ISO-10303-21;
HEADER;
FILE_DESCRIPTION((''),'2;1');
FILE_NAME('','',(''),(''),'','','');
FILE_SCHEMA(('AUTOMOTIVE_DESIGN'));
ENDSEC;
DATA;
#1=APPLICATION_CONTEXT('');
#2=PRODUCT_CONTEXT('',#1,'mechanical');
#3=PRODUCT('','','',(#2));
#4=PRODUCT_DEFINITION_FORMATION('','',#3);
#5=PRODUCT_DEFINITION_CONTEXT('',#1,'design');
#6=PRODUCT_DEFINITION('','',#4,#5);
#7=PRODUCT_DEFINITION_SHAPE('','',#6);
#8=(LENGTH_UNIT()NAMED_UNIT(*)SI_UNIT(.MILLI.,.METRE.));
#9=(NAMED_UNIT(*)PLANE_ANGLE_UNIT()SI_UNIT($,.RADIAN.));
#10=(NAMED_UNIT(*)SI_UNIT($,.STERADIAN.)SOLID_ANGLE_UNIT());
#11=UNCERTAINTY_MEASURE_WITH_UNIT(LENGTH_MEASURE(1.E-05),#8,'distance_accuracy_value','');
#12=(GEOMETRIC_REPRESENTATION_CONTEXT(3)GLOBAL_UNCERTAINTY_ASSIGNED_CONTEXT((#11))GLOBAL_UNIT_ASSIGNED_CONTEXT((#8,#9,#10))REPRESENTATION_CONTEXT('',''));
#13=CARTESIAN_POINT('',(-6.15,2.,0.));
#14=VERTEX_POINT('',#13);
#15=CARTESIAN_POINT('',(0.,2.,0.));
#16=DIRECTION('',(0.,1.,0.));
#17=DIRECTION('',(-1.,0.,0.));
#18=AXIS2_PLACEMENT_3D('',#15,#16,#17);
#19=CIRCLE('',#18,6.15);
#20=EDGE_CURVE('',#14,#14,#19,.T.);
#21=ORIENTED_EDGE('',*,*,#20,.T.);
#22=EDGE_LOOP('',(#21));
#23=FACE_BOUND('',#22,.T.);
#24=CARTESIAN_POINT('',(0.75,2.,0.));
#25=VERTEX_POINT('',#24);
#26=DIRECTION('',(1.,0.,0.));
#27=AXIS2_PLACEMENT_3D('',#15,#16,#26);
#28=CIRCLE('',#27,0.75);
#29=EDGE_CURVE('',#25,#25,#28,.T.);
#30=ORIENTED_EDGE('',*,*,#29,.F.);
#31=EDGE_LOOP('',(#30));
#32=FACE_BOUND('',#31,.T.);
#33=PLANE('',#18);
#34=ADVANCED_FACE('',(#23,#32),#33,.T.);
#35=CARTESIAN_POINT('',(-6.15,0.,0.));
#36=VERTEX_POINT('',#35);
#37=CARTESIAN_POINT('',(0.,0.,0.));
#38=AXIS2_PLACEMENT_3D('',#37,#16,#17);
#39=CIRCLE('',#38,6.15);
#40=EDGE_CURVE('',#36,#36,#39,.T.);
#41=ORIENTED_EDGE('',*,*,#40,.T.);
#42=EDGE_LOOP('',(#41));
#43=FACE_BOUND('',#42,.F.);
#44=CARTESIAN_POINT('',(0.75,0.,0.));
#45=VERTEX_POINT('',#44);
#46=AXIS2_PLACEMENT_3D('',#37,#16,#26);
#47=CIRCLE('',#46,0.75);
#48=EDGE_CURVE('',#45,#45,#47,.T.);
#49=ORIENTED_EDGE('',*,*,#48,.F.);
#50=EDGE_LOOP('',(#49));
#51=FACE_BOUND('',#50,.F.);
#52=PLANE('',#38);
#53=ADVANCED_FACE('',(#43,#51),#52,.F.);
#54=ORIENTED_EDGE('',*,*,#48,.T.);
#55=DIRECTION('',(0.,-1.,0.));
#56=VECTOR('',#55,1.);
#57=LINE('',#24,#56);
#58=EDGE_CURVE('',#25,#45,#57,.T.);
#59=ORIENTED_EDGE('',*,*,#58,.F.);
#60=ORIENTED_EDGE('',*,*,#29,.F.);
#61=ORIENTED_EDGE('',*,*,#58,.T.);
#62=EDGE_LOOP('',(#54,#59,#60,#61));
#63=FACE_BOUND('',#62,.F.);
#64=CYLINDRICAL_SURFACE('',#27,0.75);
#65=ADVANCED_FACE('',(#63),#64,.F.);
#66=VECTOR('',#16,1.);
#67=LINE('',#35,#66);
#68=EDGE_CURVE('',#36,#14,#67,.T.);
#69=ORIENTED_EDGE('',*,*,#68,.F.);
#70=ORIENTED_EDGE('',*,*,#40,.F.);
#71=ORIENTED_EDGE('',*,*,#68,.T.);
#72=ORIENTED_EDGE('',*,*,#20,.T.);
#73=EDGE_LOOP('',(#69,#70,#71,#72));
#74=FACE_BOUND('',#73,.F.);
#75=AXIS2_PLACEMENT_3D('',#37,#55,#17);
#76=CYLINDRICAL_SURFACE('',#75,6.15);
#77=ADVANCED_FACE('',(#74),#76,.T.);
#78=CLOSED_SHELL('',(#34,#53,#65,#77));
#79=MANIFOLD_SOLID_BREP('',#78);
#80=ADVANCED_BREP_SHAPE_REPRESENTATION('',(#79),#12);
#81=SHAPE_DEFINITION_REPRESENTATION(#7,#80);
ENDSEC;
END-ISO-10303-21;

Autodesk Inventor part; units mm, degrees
ref_plane "YZ Plane" through (0, 0, 0) normal (1, 0, 0) x (0, 1, 0)
ref_plane "XZ Plane" through (0, 0, 0) normal (0, 1, 0) x (-1, 0, 0)
ref_plane "XY Plane" through (0, 0, 0) normal (0, 0, 1) x (1, 0, 0)
sketch "スケッチ1" plane through (0, 0, 0) normal (0, 1, 0) x (-1, 0, 0)
  circle A0 centre (0, 0) radius 6.15
  dimension "d0" = 12.3
extrude "押し出し1" add sketch "スケッチ1" along normal blind 2
sketch "スケッチ2" plane through (0, 2, 0) normal (0, 1, 0) x (1, 0, 0)
  circle A0 centre (0, 0) radius 0.75
  dimension "d3" = 1.5
extrude "押し出し2" cut sketch "スケッチ2" against normal blind 2
properties part number "piniongear_41"
